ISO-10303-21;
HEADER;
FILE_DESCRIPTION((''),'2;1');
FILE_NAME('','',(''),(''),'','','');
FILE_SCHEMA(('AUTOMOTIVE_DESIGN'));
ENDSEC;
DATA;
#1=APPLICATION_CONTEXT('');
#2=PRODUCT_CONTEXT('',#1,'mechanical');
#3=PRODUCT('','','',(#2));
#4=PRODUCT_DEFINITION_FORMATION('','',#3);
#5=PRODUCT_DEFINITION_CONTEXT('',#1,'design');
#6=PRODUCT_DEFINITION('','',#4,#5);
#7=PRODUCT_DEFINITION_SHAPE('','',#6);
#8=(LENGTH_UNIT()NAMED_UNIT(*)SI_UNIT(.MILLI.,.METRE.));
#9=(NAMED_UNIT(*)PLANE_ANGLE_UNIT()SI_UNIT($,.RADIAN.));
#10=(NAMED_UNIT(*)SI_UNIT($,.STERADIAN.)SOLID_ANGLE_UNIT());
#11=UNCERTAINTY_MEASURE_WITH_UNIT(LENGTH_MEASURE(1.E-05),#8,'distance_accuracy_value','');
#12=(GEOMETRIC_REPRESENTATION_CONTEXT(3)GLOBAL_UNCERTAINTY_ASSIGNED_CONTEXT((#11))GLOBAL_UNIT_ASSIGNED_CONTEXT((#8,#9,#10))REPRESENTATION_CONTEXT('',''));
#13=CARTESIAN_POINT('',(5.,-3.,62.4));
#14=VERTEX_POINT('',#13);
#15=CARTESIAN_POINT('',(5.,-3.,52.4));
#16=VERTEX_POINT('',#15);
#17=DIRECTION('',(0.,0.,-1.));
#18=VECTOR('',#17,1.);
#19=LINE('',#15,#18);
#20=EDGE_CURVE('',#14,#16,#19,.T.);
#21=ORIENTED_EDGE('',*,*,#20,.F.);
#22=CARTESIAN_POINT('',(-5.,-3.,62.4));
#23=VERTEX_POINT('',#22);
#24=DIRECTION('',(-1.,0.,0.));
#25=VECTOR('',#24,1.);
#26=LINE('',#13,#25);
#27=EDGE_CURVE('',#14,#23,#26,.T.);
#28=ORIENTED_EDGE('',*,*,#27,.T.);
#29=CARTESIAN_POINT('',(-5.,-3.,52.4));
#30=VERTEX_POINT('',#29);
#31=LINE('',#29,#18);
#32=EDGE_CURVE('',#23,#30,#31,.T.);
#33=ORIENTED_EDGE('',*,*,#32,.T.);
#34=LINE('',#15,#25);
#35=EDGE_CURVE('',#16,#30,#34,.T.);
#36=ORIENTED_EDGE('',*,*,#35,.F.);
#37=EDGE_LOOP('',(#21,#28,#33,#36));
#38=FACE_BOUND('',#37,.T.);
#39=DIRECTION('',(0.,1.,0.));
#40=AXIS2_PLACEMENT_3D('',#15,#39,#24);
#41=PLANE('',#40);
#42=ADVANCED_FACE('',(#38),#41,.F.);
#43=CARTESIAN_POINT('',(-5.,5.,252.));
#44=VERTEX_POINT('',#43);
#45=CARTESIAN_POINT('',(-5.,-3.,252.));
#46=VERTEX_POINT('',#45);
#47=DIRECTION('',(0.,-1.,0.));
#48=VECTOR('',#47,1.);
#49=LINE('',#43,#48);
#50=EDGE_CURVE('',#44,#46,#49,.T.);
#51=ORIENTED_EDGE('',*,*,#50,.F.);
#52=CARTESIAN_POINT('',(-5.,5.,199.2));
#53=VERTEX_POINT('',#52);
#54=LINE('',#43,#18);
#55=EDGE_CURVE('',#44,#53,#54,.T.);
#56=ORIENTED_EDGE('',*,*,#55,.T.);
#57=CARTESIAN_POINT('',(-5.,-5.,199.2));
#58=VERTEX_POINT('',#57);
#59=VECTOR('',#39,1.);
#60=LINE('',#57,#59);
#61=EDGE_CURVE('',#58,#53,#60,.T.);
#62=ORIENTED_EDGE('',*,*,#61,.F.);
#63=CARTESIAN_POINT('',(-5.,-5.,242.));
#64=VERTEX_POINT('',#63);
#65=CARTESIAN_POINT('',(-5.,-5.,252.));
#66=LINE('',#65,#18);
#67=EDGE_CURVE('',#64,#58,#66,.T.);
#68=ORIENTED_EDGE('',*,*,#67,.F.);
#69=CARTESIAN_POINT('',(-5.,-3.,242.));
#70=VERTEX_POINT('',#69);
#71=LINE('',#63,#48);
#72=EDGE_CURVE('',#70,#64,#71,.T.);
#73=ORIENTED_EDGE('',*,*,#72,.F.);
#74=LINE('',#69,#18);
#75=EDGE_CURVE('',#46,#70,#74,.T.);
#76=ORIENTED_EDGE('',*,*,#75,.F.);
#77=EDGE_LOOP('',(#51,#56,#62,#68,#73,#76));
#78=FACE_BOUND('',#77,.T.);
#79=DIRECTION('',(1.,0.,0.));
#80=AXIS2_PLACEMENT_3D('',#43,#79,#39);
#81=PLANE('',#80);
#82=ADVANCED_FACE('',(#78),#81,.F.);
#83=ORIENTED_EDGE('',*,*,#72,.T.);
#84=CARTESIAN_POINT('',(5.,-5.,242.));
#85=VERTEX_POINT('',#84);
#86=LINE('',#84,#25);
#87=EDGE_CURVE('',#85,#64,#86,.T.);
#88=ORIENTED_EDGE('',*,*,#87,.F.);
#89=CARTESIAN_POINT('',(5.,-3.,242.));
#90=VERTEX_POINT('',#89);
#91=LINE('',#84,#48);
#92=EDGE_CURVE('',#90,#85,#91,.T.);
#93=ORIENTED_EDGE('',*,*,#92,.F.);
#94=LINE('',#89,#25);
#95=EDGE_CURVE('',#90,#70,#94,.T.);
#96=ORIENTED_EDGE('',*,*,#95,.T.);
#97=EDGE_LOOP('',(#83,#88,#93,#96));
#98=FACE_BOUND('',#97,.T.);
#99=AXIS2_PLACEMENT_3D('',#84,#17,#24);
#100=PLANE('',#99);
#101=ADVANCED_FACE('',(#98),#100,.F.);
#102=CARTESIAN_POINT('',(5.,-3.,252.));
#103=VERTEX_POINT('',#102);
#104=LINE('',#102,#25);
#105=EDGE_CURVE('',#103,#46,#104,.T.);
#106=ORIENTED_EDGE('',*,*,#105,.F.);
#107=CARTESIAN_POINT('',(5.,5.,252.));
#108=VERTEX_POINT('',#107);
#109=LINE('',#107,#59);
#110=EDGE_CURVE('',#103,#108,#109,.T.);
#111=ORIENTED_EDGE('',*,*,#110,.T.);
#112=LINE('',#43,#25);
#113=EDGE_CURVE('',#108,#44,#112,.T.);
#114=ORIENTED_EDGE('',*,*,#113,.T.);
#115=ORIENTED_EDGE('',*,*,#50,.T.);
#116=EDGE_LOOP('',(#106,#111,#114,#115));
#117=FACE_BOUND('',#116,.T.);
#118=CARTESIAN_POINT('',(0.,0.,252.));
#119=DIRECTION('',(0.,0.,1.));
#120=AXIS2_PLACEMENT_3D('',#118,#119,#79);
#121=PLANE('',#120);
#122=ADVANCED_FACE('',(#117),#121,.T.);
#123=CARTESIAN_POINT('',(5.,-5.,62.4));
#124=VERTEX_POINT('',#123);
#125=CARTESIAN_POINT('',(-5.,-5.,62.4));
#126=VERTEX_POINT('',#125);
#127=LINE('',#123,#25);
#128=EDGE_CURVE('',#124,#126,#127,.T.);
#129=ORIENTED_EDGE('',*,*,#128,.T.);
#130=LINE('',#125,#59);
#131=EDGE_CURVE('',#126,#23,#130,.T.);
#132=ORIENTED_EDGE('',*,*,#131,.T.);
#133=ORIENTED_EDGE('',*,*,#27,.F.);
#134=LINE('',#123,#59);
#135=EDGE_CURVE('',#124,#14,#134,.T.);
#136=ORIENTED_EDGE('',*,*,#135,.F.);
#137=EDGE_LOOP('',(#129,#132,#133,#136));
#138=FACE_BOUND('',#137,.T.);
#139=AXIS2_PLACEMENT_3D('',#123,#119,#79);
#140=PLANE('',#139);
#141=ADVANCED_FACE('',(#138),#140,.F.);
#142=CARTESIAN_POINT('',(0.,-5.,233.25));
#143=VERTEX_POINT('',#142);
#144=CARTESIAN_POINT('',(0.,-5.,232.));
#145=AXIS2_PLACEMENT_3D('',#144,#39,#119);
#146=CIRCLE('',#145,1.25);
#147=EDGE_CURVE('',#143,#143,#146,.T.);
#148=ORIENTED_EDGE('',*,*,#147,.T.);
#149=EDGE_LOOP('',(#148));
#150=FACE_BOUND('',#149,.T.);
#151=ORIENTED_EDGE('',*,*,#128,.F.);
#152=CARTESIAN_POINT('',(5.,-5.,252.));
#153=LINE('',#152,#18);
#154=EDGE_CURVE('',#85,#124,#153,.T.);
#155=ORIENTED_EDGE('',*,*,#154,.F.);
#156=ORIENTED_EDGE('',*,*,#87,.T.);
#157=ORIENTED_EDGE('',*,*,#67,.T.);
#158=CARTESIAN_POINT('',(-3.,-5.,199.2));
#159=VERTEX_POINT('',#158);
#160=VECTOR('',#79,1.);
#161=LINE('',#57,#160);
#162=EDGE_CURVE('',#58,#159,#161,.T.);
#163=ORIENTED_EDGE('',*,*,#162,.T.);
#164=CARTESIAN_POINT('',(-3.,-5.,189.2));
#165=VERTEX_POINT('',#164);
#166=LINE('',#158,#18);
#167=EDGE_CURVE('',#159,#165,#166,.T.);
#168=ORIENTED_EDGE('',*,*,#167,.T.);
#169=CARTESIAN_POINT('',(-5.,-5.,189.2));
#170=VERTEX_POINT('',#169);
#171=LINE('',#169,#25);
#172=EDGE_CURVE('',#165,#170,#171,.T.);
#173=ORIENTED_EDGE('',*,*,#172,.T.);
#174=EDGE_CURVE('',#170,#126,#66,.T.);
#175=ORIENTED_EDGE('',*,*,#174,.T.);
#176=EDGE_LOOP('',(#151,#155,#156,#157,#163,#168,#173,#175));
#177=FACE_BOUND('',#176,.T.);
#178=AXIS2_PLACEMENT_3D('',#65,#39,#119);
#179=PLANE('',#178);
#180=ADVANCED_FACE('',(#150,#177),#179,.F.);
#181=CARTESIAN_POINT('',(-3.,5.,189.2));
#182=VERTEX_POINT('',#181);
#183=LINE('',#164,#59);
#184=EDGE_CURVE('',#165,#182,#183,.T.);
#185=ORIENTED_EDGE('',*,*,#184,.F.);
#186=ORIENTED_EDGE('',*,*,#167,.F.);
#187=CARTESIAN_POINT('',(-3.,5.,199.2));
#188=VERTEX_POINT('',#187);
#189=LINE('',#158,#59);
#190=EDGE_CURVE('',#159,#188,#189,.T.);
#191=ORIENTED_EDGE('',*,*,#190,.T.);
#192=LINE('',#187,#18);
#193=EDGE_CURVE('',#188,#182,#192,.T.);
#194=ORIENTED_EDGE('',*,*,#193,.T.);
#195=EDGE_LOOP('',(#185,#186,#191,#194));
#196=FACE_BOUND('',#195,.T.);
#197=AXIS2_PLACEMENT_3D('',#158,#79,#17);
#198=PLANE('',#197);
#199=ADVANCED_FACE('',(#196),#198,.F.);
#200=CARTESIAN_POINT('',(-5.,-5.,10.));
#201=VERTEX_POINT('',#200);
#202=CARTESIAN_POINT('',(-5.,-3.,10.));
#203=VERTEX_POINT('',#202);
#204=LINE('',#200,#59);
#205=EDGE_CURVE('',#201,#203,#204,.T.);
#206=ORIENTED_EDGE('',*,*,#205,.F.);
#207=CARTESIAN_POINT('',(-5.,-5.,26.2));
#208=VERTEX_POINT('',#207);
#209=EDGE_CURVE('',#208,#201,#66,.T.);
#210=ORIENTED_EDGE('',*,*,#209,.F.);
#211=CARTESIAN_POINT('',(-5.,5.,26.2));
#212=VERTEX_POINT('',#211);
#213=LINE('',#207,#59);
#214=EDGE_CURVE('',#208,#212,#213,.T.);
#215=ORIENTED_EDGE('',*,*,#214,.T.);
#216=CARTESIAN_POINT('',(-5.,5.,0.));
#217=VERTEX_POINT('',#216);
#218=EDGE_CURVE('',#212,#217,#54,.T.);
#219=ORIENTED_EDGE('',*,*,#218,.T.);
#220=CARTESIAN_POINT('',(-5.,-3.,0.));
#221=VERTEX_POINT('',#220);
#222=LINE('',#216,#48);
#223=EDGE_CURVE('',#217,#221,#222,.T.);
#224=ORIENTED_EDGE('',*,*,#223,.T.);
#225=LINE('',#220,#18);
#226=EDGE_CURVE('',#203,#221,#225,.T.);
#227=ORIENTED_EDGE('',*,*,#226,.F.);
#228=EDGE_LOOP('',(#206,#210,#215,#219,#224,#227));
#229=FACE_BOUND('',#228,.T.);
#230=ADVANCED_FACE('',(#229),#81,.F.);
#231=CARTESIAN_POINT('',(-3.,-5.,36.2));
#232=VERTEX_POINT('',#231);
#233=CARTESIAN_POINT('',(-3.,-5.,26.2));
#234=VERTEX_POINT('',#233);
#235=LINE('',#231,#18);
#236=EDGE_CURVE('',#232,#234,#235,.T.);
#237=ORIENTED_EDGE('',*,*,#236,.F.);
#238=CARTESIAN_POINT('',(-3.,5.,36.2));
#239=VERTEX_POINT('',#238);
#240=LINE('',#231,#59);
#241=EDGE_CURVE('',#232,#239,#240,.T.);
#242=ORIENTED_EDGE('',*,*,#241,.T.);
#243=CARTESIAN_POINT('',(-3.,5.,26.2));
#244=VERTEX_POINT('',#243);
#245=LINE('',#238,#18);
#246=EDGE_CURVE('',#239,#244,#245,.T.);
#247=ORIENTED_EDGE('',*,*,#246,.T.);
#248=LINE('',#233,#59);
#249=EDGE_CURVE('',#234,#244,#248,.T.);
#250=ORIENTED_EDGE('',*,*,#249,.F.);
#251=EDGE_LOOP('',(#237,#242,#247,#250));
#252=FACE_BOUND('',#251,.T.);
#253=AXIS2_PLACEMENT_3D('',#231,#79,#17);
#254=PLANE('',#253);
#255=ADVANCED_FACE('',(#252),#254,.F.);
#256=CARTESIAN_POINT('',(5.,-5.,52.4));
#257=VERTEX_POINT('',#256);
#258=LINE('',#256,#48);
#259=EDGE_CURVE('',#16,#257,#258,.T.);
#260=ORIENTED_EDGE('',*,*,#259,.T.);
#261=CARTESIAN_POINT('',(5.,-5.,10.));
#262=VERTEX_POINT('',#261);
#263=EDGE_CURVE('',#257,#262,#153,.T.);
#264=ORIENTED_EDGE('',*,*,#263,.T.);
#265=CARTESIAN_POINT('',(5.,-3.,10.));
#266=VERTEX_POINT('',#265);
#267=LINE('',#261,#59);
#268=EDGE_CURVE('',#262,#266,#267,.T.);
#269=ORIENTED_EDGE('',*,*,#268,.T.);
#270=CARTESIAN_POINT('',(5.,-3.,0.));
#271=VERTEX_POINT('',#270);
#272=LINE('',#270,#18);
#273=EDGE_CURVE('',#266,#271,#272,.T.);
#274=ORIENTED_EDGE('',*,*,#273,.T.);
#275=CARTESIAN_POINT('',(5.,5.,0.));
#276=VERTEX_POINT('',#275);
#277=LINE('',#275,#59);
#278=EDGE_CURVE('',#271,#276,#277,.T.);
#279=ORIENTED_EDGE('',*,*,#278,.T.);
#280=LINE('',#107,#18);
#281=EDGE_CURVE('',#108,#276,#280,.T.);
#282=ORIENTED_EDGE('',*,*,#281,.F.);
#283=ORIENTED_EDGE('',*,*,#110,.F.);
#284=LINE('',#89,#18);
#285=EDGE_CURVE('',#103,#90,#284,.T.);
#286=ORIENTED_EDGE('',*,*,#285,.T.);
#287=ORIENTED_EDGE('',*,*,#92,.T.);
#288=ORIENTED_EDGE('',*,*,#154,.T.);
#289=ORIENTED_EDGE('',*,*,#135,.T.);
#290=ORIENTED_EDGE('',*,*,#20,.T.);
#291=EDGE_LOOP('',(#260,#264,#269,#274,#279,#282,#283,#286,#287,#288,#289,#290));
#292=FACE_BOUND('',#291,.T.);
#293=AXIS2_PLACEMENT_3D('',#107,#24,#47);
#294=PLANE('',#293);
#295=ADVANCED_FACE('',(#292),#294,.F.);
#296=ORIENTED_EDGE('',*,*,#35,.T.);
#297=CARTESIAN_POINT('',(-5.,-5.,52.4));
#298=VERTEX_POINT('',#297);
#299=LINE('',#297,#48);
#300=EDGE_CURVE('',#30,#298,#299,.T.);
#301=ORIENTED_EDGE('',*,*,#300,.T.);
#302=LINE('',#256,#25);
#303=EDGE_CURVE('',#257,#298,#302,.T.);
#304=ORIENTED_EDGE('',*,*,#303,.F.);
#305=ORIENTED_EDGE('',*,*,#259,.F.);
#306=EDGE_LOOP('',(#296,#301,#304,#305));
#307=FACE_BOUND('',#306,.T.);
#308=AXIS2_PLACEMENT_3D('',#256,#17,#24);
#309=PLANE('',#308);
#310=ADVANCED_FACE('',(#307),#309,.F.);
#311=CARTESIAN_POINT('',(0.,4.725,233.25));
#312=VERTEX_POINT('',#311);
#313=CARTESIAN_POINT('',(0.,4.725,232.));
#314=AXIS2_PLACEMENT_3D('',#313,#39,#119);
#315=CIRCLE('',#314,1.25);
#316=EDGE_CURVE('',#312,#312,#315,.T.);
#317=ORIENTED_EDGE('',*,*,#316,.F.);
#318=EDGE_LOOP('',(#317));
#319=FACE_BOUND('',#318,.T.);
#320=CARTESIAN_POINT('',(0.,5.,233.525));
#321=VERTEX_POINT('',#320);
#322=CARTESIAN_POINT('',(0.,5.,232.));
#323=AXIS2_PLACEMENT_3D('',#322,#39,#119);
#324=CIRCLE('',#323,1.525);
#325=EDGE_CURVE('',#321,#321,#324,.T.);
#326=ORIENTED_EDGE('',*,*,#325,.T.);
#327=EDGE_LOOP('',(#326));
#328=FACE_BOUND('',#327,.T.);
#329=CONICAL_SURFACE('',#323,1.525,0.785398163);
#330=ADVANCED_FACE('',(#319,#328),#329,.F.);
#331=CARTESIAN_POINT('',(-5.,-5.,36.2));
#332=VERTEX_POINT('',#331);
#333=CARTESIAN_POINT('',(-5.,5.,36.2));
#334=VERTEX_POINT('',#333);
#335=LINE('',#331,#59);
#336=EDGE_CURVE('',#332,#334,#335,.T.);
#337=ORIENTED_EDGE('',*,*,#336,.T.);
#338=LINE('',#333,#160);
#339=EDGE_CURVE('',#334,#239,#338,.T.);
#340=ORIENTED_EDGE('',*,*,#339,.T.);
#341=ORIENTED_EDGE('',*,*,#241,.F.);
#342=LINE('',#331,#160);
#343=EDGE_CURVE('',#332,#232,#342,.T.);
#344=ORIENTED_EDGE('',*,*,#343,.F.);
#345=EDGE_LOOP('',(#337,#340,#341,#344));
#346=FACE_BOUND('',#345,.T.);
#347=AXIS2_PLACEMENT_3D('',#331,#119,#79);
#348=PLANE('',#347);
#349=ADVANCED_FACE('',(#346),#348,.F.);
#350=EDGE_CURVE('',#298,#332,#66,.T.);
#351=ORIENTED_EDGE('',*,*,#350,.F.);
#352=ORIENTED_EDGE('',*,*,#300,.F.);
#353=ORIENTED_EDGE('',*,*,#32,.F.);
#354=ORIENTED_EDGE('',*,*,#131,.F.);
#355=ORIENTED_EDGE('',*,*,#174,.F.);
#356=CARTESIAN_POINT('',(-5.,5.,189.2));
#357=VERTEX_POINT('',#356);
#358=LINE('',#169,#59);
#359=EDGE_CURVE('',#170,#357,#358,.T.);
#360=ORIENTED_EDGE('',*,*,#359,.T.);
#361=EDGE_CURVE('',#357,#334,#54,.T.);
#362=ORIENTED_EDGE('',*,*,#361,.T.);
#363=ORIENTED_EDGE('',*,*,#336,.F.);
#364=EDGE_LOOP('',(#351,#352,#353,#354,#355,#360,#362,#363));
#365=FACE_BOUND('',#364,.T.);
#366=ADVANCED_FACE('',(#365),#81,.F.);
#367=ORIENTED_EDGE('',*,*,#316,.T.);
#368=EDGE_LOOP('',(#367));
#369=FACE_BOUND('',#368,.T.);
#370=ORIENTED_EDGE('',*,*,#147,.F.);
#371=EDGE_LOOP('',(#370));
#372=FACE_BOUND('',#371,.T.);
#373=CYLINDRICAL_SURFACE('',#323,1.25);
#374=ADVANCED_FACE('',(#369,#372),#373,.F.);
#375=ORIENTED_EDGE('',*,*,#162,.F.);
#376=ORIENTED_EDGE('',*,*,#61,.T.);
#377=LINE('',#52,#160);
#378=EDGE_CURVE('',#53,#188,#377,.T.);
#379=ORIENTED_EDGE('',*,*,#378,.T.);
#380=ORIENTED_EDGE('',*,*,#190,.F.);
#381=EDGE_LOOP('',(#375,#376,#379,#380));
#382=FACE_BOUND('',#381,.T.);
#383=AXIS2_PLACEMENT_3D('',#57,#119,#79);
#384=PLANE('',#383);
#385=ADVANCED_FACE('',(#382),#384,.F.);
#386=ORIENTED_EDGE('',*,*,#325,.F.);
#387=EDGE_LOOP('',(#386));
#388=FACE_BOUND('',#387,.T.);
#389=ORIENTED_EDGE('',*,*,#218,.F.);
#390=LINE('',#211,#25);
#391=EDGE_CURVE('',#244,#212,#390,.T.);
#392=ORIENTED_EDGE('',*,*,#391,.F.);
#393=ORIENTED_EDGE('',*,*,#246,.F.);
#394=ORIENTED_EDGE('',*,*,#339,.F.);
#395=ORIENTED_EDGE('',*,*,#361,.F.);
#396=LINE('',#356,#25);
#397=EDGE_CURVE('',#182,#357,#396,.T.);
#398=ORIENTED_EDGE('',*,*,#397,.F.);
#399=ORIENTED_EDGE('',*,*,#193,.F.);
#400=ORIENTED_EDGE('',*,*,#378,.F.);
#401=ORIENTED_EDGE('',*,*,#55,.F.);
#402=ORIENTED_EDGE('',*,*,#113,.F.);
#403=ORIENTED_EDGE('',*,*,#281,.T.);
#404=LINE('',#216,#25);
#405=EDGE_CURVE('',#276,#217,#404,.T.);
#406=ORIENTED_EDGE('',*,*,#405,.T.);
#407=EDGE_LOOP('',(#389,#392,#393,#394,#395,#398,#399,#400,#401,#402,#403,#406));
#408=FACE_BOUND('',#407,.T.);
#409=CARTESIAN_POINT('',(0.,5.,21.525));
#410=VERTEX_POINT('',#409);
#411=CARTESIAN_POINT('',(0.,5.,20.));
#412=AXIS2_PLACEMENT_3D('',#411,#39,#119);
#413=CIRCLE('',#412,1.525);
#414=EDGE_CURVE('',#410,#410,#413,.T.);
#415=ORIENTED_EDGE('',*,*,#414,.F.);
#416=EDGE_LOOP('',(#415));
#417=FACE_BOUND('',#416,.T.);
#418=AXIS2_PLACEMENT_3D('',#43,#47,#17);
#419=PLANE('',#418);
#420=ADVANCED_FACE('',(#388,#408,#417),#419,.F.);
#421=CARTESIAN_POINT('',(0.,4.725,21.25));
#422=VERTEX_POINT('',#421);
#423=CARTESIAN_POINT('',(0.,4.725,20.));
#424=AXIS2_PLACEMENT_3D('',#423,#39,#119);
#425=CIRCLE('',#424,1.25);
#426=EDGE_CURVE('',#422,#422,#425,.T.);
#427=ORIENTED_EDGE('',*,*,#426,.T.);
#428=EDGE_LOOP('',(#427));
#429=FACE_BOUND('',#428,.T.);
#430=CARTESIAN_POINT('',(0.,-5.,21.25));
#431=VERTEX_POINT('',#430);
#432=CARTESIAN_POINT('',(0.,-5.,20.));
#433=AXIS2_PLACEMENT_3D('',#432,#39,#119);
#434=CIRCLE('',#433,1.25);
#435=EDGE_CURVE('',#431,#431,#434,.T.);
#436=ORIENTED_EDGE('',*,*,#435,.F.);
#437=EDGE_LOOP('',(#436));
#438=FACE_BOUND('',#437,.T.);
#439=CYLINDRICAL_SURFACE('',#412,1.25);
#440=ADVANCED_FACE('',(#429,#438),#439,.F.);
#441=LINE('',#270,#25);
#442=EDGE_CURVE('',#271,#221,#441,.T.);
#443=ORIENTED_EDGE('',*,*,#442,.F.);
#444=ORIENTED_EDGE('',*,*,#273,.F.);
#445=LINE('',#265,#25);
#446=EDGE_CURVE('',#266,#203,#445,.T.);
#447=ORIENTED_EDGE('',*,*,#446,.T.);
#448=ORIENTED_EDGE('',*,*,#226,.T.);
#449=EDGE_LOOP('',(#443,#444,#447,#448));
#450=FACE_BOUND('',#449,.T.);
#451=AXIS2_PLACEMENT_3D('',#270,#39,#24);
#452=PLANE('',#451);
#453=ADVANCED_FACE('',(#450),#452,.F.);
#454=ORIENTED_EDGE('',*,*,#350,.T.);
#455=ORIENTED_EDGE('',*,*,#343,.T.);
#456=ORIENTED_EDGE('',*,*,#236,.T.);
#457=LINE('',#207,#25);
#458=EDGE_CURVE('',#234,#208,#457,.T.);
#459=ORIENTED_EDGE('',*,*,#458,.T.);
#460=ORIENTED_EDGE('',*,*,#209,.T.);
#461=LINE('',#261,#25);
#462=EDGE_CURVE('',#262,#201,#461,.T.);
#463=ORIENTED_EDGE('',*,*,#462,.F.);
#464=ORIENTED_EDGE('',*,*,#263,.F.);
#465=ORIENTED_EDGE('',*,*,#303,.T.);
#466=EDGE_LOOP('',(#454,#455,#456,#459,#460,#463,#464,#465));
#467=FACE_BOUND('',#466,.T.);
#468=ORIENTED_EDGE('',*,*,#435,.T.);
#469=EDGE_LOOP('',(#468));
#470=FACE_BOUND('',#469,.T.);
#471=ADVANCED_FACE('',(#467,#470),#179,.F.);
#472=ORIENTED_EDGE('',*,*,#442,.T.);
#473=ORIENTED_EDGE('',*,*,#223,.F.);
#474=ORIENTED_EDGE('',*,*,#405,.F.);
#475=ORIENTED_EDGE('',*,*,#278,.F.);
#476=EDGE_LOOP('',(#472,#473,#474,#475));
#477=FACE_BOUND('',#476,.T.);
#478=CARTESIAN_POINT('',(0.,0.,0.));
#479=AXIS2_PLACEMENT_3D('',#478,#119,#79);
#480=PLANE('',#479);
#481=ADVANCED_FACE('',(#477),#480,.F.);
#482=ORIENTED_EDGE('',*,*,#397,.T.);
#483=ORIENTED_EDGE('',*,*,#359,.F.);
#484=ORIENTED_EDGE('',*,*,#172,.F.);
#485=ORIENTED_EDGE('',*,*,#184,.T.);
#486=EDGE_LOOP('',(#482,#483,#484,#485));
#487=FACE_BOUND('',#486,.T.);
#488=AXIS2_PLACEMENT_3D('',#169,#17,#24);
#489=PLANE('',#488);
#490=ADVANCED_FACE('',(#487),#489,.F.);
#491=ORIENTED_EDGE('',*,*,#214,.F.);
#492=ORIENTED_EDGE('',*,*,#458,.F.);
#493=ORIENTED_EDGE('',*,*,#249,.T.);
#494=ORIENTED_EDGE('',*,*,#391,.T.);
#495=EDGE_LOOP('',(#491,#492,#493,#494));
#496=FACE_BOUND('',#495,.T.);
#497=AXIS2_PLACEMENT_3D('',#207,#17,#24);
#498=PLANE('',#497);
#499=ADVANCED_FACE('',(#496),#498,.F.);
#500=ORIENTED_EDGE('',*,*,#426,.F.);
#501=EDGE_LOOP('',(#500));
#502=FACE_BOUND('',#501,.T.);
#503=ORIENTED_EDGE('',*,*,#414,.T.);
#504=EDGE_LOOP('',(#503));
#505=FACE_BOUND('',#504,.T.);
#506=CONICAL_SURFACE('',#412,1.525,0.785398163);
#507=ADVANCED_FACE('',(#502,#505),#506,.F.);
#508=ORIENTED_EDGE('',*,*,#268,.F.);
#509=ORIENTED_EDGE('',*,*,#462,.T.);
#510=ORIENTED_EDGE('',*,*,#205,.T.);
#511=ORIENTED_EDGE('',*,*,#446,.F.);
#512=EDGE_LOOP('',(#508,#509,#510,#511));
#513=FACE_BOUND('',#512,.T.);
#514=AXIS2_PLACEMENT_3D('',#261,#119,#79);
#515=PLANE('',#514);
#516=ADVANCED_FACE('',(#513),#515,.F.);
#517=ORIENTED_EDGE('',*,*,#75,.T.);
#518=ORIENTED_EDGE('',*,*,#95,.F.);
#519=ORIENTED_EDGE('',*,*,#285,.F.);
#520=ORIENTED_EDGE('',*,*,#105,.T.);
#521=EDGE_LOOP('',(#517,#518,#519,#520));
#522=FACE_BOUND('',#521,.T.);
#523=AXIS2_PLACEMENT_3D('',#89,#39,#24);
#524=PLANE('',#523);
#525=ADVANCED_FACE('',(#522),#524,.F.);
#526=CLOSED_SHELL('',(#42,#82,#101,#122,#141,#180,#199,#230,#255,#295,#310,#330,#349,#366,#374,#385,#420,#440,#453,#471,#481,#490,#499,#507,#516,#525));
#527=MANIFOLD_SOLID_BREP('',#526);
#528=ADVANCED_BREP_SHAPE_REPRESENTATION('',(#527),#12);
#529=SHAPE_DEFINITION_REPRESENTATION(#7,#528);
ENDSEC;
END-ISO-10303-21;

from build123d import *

# Parameters (mm, degrees)
ESQUISSE1_W                     = 10
ESQUISSE1_H                     = 10
BOSS_EXTRU_1_DEPTH              = 252
ESQUISSE2_W                     = 10
ESQUISSE2_H                     = 2
ENL_V_MAT_EXTRU_1_DEPTH         = 11
ESQUISSE5_W                     = 2
ESQUISSE5_H                     = 10
ENL_V_MAT_EXTRU_4_DEPTH         = 11
TROU_TARAUD_M3X0_51_D           = 2.5
TROU_TARAUD_M3X0_51_CSINK_D     = 3.05
TROU_TARAUD_M3X0_51_CSINK_ANGLE = 90


with BuildPart() as part:
    # Esquisse1 → Boss.-Extru.1 (new body)
    with BuildSketch(Plane.XY):
        Rectangle(ESQUISSE1_W, ESQUISSE1_H)
    extrude(amount=BOSS_EXTRU_1_DEPTH)

    # Esquisse2 → Enlèv. mat.-Extru.1 (cut, through all)
    with BuildSketch(Plane.ZY.offset(5)):
        with Locations((5, -4)):
            Rectangle(ESQUISSE2_W, ESQUISSE2_H)
        with Locations((57.4, -4)):
            Rectangle(ESQUISSE2_W, ESQUISSE2_H)
        with Locations((247, -4)):
            Rectangle(ESQUISSE2_W, ESQUISSE2_H)
    extrude(amount=-ENL_V_MAT_EXTRU_1_DEPTH, mode=Mode.SUBTRACT)

    # Esquisse5 → Enlèv. mat.-Extru.4 (cut, through all)
    with BuildSketch(Plane(origin=(0, 5, 0), x_dir=(1, 0, 0), z_dir=(0, 1, 0))):
        with Locations((-4, -194.2)):
            Rectangle(ESQUISSE5_W, ESQUISSE5_H)
        with Locations((-4, -31.2)):
            Rectangle(ESQUISSE5_W, ESQUISSE5_H)
    extrude(amount=-ENL_V_MAT_EXTRU_4_DEPTH, mode=Mode.SUBTRACT)

    # Trou taraudé M3x0.51 (through all)
    with Locations(Plane(origin=(0, 5, 0), x_dir=(1, 0, 0), z_dir=(0, 1, 0))):
        with Locations((0, -20), (0, -232)):
            CounterSinkHole(TROU_TARAUD_M3X0_51_D / 2, TROU_TARAUD_M3X0_51_CSINK_D / 2, counter_sink_angle=TROU_TARAUD_M3X0_51_CSINK_ANGLE)


solid = part.part
